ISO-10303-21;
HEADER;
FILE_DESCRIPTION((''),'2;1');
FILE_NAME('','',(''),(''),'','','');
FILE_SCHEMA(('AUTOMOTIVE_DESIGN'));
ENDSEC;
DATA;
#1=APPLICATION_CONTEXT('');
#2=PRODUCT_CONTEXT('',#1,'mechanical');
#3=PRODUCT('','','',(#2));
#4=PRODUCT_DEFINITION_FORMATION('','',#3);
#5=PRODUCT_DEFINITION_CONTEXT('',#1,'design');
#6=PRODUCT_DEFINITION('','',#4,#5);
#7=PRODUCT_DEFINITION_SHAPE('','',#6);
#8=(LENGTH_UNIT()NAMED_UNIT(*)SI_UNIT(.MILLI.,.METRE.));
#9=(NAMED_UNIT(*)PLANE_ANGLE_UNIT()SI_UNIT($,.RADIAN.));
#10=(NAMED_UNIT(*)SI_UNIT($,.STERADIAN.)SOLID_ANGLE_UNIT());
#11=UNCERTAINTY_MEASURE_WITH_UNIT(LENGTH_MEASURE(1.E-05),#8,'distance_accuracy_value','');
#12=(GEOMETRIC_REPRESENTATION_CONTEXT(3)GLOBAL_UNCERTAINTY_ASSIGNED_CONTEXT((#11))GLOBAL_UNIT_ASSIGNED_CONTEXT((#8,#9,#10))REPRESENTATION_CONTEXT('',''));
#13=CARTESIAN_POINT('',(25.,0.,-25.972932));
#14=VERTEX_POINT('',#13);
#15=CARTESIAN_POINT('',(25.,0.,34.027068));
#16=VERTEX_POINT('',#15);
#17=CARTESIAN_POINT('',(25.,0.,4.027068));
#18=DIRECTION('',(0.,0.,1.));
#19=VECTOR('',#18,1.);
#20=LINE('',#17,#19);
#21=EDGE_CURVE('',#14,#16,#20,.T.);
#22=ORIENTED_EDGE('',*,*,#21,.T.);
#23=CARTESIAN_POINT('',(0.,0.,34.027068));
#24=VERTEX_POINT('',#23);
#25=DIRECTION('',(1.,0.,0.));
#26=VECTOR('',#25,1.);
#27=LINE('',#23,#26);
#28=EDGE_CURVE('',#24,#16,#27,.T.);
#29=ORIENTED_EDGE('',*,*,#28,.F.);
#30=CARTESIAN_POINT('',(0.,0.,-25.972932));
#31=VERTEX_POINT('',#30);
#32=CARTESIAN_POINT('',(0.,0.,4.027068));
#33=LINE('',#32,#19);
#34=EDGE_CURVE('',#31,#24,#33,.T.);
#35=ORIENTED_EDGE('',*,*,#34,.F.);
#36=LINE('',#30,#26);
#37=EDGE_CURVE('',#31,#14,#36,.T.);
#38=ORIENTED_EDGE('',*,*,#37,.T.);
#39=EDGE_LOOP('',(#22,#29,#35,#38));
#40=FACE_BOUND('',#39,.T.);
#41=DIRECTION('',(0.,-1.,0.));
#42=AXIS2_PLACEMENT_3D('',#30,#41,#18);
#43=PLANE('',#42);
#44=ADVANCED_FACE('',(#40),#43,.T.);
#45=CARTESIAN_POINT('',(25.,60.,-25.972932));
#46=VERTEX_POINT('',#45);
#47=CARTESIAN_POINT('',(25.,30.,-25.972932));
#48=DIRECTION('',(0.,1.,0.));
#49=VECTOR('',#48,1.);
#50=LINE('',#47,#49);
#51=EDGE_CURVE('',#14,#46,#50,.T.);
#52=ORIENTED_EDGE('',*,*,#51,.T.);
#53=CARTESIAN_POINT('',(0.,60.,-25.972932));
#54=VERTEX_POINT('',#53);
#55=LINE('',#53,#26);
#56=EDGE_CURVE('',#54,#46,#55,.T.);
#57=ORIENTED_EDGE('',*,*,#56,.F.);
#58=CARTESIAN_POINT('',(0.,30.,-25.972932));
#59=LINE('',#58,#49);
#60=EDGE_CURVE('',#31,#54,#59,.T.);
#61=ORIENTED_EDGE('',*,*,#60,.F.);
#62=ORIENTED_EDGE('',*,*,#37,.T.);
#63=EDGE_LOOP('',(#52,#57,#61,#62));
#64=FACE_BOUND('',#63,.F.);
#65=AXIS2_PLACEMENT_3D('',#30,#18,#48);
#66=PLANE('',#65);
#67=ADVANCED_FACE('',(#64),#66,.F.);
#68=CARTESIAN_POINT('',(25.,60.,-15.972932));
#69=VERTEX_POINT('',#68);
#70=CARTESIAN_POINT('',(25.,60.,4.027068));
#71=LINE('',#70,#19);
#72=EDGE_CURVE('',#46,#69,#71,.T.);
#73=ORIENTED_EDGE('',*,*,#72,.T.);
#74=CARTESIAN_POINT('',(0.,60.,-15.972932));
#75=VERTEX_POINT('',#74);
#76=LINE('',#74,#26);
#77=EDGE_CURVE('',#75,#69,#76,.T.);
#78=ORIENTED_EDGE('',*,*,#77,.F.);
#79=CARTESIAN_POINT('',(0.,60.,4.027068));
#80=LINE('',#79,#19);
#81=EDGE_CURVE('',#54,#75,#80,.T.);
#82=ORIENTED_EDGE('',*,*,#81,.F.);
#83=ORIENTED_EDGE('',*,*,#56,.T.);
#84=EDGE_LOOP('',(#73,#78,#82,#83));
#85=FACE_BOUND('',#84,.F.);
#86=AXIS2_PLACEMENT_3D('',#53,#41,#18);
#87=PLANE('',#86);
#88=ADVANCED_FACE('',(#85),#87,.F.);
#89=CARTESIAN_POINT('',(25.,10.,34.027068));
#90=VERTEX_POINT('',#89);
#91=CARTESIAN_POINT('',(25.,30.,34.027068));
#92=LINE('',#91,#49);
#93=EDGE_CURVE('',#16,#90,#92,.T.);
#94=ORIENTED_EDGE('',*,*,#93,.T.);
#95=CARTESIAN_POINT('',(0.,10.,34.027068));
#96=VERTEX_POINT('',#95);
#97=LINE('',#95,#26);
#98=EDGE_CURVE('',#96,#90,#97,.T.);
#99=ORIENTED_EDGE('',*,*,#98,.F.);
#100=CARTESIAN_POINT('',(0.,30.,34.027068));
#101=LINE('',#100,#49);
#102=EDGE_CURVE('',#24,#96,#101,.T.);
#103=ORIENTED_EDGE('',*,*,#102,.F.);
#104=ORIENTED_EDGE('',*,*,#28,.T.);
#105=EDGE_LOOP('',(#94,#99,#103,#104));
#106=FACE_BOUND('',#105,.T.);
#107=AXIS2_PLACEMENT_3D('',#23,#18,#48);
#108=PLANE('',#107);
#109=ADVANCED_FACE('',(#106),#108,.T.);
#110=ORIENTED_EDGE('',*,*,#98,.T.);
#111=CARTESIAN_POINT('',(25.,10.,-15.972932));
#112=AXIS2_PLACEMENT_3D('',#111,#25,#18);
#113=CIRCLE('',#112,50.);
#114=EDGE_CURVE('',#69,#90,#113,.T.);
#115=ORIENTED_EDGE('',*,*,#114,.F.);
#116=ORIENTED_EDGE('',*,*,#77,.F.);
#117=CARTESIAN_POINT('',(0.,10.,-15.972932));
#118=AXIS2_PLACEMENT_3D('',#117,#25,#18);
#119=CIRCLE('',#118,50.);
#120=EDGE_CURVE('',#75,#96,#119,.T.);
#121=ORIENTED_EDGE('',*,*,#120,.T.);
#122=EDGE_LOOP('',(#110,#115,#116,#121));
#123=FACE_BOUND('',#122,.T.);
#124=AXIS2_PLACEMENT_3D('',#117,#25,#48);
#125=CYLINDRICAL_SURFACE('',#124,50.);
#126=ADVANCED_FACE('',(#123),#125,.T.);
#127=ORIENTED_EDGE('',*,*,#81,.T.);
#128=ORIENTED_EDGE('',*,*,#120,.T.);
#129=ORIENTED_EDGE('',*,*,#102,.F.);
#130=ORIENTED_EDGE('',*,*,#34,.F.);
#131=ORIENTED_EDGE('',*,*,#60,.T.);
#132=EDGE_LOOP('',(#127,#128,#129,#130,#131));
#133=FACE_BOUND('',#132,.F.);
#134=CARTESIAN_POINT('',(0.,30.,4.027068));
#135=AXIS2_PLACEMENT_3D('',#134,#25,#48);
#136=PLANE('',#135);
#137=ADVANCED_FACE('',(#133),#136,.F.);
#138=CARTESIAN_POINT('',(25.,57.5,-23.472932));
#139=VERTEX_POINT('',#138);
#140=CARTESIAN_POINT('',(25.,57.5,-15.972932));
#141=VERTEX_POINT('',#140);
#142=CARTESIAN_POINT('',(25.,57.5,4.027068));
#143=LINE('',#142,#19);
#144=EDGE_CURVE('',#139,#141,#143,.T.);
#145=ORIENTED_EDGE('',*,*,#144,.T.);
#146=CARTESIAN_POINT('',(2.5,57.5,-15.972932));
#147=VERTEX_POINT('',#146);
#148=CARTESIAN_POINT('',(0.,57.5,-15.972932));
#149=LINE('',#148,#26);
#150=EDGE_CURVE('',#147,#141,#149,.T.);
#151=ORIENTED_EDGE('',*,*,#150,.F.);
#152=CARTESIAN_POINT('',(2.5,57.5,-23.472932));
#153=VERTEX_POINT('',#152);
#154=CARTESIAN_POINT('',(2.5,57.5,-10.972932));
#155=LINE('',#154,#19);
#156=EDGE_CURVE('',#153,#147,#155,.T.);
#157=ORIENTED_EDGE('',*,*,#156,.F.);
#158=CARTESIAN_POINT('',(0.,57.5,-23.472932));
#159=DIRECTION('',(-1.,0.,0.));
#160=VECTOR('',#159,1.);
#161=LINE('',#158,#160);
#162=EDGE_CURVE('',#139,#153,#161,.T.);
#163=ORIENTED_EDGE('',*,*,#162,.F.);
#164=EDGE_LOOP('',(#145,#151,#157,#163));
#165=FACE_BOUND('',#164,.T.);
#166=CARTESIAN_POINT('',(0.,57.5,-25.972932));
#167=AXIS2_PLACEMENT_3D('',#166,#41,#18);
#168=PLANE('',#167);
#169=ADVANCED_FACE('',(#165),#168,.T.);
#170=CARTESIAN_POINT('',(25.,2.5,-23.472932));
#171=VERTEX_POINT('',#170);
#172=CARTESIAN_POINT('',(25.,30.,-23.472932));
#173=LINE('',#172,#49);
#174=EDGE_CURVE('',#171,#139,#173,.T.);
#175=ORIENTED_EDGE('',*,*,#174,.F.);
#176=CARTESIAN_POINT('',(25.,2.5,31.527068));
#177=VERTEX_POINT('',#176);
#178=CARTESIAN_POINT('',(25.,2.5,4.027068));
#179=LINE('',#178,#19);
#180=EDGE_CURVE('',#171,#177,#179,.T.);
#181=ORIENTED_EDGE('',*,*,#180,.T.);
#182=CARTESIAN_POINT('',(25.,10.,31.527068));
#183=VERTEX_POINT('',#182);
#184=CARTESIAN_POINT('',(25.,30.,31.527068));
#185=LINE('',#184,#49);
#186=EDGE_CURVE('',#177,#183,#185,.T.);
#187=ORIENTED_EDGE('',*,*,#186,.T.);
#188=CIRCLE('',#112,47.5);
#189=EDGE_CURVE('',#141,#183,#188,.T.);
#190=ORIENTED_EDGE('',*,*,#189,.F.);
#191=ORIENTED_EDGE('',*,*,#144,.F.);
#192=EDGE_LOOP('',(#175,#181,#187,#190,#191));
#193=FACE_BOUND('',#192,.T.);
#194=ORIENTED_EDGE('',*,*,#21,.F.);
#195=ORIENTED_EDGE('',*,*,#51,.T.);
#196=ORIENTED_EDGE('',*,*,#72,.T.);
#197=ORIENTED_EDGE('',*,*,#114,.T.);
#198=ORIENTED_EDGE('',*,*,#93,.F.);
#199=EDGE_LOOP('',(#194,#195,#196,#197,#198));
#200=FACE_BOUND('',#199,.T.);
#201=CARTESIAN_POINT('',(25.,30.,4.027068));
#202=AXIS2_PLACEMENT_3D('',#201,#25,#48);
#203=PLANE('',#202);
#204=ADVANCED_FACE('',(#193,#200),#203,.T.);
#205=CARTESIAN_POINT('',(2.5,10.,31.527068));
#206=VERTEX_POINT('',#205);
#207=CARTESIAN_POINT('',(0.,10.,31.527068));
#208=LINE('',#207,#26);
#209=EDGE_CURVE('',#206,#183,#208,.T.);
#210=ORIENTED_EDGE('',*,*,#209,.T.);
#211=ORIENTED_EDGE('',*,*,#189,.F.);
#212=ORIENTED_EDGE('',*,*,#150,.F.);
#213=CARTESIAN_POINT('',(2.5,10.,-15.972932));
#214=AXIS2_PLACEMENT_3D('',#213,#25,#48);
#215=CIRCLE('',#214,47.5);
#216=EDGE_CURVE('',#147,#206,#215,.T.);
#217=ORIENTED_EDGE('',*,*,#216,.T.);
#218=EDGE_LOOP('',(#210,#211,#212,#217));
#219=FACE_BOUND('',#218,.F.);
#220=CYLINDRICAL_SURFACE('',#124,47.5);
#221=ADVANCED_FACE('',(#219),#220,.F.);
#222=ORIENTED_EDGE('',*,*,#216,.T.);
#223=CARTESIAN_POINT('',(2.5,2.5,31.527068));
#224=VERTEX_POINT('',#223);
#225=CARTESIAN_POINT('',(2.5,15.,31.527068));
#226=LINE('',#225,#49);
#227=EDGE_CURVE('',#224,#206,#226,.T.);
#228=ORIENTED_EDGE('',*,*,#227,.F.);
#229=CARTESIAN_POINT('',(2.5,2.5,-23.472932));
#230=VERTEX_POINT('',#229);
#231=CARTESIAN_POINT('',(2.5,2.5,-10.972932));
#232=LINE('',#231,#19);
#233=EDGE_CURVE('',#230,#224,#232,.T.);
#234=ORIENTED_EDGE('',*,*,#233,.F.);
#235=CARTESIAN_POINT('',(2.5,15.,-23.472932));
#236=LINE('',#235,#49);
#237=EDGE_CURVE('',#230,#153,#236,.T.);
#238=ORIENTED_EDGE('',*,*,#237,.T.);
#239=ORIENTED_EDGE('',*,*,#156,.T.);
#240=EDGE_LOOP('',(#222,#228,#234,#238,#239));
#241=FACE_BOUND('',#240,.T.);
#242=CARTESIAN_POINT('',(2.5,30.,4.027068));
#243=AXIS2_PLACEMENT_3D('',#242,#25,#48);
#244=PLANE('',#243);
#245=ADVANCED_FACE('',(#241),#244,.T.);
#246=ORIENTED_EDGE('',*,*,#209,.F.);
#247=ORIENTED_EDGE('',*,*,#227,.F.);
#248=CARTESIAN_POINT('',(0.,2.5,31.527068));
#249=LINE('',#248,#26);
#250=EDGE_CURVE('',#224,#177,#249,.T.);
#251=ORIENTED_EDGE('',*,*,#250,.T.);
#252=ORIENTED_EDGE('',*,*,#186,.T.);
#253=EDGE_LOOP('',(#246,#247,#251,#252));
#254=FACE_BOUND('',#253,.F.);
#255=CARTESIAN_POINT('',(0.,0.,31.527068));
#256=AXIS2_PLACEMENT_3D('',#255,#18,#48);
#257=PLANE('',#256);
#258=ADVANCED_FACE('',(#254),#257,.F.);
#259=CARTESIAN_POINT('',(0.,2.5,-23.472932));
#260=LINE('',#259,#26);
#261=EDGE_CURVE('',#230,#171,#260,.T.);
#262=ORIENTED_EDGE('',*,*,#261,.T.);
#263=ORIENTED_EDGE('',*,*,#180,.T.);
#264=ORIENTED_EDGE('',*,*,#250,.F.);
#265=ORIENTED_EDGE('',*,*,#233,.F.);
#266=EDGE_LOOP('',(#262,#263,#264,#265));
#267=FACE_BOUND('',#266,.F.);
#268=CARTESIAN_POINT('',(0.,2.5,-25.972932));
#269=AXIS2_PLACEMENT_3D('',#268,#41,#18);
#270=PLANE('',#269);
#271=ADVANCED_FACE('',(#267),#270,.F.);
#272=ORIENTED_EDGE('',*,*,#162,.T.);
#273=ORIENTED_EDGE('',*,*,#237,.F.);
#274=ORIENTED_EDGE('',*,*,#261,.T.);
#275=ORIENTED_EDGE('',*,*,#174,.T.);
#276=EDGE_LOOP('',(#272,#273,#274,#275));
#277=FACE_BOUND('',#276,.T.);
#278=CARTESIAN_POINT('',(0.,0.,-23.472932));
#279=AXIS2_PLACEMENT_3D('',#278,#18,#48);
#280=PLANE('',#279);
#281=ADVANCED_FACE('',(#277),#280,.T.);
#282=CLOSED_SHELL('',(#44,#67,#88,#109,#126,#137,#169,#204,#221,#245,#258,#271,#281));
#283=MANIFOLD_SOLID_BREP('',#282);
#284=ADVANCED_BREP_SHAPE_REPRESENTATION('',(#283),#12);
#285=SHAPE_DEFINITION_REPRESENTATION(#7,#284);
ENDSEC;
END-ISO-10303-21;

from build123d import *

# Parameters (mm, degrees)
F0_W     = 60
F0_H     = 60
F1_DEPTH = 25
F2_R     = 50
F3_T     = -2.5


with BuildPart() as f1:
    # F0 (on Right) → F1 (new body)
    with BuildSketch(Plane.YZ):
        with Locations((30, 4.027068)):
            Rectangle(F0_W, F0_H)
    extrude(amount=F1_DEPTH)

    # F2
    f2_edges = [f1.edges().sort_by_distance(p)[0] for p in [
        (12.5, 60, 34.027068),
    ]]
    fillet(f2_edges, radius=F2_R)

    # F3
    f3_openings = [f1.faces().sort_by_distance(p)[0] for p in [
        (25, 26.702054, 0.729122),
    ]]
    offset(amount=F3_T, openings=f3_openings)


solid = f1.part
